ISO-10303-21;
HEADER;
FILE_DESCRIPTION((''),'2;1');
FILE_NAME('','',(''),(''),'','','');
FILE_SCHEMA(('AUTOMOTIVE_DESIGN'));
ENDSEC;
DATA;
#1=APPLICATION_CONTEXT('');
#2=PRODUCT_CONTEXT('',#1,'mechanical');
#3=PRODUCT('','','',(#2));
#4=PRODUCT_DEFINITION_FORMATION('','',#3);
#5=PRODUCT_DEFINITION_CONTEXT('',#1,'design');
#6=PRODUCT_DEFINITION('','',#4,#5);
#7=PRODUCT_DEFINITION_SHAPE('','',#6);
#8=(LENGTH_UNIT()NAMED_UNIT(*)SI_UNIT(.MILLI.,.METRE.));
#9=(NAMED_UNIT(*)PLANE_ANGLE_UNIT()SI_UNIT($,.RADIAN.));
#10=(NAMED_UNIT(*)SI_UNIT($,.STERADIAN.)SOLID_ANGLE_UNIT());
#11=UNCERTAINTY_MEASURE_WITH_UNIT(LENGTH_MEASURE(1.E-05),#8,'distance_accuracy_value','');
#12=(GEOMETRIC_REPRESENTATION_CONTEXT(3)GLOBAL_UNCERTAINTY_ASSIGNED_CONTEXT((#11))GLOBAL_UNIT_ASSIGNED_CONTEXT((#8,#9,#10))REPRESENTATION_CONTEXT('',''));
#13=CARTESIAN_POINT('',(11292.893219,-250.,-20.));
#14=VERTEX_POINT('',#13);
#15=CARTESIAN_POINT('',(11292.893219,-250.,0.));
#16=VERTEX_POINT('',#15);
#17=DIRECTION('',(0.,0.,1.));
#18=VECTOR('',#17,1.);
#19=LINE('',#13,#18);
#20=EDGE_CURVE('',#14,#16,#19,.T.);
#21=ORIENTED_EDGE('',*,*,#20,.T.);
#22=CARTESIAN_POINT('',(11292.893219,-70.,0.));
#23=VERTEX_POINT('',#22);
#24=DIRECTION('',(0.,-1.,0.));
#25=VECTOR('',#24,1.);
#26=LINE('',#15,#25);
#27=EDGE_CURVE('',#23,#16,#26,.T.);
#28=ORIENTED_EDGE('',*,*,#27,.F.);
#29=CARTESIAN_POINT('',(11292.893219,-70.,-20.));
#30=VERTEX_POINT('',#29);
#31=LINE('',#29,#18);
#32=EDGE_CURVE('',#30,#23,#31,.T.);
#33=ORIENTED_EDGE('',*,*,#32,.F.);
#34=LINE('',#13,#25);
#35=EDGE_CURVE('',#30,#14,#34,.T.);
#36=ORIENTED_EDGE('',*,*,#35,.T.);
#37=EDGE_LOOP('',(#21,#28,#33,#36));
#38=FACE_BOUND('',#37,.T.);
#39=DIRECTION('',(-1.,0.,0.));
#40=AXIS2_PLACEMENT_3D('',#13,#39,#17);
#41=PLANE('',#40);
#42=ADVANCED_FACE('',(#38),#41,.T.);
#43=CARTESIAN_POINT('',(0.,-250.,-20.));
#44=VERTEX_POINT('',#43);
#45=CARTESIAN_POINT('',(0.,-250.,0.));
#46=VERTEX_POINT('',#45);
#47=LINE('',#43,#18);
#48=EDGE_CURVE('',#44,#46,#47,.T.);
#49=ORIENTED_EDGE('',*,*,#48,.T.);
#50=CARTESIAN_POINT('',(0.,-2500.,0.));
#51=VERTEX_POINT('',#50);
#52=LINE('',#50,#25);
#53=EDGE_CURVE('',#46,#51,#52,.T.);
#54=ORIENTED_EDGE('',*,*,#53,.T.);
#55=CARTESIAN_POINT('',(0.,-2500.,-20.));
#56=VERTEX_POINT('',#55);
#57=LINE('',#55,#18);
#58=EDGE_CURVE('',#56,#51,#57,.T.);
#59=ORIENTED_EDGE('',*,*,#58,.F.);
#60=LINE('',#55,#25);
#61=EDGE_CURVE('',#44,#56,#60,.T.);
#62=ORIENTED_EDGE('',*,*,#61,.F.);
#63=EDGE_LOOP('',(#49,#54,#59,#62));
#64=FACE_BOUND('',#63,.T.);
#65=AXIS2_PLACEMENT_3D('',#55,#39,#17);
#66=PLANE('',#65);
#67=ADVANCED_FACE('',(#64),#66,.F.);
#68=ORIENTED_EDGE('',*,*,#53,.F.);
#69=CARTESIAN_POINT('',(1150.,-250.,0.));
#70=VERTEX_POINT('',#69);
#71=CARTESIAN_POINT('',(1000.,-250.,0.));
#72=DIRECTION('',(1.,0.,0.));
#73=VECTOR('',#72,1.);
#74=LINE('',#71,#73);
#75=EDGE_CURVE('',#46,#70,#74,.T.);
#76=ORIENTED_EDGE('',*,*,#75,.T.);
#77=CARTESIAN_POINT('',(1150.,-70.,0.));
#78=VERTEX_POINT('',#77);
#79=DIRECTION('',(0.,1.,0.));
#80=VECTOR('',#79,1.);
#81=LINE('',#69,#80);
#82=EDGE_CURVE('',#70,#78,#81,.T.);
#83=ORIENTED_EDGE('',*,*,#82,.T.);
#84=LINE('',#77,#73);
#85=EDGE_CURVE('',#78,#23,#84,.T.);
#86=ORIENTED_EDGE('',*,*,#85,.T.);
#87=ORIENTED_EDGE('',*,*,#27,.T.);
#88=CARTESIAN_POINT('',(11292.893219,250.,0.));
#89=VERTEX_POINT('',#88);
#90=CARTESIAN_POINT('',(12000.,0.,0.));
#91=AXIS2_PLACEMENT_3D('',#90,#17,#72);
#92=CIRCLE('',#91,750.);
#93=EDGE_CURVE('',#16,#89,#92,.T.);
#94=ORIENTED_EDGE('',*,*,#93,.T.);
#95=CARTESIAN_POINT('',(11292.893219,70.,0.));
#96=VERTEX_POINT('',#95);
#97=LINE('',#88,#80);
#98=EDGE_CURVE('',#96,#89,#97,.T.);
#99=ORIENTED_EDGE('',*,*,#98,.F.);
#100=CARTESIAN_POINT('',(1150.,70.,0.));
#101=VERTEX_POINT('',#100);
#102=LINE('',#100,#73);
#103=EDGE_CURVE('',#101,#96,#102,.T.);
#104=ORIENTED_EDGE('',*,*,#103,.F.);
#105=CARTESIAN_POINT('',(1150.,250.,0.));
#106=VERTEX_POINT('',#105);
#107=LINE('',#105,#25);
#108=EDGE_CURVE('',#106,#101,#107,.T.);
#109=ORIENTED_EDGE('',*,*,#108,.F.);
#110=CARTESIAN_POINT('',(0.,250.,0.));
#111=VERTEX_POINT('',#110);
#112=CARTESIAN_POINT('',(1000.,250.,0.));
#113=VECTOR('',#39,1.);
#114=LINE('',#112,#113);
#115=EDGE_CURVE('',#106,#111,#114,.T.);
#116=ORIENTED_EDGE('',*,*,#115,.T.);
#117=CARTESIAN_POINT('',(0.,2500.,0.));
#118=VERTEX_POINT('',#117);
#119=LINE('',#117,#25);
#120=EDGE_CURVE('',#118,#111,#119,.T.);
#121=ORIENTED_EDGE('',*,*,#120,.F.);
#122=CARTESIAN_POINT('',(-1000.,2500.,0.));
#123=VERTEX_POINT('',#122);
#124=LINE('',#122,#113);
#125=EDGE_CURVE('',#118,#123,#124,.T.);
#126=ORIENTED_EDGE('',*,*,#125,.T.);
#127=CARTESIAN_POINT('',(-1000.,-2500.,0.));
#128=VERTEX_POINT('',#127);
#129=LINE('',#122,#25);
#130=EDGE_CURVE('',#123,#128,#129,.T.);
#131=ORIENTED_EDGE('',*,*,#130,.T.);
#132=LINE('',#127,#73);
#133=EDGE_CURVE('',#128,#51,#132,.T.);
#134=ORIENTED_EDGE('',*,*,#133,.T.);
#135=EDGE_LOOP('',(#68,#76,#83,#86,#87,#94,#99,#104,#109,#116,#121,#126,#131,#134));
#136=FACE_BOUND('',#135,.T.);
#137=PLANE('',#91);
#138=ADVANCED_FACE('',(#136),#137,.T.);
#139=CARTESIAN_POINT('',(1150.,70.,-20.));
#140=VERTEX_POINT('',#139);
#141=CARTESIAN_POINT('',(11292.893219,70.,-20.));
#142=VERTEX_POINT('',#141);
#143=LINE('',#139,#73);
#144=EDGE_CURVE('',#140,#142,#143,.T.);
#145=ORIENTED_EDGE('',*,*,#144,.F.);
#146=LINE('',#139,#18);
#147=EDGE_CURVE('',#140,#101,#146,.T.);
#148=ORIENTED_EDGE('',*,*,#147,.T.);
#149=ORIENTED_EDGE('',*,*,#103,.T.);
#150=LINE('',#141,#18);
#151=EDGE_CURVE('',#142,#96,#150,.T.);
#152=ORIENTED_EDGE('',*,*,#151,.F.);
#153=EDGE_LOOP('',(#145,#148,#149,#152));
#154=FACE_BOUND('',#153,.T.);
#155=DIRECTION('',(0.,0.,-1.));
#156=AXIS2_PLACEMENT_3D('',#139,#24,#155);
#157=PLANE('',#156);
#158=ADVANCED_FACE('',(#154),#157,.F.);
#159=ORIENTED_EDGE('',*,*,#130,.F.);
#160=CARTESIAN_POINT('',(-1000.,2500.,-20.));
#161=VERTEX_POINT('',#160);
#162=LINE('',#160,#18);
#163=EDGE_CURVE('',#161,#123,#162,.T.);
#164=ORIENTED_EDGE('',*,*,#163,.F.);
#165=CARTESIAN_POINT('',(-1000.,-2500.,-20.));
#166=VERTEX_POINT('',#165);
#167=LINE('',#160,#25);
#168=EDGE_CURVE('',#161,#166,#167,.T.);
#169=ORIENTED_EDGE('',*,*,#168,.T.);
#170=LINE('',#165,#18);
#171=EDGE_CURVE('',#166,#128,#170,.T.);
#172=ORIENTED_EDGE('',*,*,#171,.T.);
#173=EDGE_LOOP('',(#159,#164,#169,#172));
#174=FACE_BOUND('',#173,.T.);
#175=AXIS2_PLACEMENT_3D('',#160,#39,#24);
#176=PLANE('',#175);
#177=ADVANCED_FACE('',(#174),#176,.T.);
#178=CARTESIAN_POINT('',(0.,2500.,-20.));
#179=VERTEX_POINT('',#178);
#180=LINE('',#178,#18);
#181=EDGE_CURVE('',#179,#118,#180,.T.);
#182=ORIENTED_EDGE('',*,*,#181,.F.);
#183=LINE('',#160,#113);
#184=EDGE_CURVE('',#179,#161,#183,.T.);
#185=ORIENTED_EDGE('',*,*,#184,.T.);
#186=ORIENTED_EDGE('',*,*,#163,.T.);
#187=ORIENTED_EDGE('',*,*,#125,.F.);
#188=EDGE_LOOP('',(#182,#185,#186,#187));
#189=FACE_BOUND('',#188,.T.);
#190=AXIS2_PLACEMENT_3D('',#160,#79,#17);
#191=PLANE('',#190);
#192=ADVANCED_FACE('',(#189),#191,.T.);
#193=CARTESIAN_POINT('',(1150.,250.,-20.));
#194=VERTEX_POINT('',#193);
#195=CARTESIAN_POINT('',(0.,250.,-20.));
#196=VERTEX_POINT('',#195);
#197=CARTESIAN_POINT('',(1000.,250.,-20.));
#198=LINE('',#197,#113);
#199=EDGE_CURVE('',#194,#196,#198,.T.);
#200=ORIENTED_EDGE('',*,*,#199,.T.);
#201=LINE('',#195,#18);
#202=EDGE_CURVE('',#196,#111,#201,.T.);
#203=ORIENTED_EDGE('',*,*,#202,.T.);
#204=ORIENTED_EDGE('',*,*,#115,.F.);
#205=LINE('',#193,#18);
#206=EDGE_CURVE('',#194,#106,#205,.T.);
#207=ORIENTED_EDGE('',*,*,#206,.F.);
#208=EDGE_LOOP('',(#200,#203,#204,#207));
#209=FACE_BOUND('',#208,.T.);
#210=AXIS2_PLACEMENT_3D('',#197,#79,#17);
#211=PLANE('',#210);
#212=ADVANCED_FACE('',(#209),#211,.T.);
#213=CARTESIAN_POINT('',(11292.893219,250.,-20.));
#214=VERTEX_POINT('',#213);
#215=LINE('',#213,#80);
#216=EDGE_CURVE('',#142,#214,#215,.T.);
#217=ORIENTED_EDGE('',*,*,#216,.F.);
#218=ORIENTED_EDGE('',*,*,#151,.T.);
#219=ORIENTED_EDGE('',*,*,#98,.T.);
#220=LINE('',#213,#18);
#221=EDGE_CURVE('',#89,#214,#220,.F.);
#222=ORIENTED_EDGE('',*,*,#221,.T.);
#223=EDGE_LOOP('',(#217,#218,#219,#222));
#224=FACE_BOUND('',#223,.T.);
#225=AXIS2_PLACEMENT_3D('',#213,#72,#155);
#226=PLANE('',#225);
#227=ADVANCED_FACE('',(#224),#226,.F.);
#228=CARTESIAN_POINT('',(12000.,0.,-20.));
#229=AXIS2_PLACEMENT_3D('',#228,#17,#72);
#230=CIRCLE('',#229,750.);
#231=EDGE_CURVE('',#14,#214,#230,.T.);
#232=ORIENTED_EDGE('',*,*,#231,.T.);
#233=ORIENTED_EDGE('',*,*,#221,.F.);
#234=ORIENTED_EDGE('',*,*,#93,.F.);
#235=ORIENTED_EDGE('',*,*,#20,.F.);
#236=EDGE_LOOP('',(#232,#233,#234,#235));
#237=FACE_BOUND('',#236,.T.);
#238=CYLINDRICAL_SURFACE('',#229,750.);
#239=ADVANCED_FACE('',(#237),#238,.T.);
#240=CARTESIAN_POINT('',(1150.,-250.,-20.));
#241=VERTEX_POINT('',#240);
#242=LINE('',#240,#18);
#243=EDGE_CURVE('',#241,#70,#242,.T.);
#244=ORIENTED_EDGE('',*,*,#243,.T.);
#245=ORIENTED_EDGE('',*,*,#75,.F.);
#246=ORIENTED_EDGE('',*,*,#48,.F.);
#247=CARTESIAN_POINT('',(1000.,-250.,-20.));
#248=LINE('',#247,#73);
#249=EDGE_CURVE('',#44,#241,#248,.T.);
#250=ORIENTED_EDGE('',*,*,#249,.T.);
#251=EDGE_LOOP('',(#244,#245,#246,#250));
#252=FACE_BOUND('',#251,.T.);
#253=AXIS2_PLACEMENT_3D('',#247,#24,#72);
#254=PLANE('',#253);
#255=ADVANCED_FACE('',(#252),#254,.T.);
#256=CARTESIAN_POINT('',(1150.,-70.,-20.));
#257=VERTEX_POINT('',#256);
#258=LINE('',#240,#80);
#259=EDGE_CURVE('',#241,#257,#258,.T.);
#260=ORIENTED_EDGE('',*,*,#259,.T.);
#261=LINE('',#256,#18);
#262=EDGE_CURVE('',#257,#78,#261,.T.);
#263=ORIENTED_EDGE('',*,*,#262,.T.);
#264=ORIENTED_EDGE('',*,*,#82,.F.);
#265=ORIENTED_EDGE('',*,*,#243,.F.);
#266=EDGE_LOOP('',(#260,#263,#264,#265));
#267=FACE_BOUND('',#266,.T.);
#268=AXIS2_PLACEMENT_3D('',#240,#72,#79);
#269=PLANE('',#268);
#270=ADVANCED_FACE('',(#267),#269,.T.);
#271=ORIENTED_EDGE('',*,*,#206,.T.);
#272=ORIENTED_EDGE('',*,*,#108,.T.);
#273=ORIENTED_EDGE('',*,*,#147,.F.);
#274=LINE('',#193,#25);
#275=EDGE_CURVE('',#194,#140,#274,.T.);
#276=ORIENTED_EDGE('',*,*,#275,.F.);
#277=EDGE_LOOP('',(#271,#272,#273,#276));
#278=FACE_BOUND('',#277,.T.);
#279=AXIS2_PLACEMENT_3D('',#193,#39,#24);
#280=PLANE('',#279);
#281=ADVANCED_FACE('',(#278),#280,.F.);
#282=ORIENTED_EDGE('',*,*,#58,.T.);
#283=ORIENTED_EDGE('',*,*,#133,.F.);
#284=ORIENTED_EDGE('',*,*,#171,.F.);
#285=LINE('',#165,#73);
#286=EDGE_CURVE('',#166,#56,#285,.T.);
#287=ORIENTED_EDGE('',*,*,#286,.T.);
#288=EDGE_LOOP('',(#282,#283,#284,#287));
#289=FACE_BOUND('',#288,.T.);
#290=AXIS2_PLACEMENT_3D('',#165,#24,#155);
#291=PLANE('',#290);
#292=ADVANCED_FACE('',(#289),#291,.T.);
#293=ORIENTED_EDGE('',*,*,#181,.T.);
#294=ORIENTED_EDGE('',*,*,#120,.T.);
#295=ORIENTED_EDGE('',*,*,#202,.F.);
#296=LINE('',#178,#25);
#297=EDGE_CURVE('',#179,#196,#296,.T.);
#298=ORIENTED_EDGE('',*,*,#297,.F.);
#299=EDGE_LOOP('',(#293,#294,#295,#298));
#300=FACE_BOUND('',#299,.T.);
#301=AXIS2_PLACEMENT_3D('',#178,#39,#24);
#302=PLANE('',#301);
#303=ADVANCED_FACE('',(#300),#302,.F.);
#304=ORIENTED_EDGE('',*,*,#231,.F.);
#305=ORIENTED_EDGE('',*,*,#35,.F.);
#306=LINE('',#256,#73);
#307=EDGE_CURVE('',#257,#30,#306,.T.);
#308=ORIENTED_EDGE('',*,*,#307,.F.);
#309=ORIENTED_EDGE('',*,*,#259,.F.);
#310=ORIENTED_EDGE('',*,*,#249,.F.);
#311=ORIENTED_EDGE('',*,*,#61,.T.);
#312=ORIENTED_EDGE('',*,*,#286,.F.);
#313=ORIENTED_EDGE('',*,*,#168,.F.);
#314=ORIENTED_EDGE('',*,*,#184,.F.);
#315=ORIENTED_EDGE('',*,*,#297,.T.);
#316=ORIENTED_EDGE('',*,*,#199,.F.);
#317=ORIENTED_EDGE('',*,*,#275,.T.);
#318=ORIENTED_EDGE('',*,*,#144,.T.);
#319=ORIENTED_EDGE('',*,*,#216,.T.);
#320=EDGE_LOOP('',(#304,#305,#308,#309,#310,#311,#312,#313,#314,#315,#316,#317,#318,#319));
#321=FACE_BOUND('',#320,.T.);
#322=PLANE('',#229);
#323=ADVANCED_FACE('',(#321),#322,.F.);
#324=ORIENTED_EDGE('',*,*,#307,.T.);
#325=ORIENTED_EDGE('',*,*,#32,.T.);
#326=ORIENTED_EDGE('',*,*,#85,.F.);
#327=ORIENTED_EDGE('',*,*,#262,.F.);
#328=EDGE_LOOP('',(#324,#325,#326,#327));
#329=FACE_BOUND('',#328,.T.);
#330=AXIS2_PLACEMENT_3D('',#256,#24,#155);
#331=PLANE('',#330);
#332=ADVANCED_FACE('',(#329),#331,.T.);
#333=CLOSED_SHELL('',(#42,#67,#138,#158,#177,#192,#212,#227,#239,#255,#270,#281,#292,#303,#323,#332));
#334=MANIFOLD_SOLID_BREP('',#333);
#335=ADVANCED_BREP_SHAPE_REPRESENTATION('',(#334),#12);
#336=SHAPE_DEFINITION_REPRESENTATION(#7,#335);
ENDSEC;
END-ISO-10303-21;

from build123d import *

# Parameters (mm, degrees)
BOSS_EXTRUDE1_DEPTH = 20
SKETCH2_W           = 1000
SKETCH2_H           = 2250
CUT_EXTRUDE1_DEPTH  = 12993.801853334
CUT_EXTRUDE4_DEPTH  = 12993.801853334
SKETCH5_W           = 11500
SKETCH5_H           = 500
BOSS_EXTRUDE2_DEPTH = 20
SKETCH7_W           = 10142.893218813
SKETCH7_H           = 180
CUT_EXTRUDE5_DEPTH  = 12993.801853334


with BuildPart() as part:
    # Sketch1 → Boss-Extrude1 (new body)
    with BuildSketch(Plane.XY):
        with BuildLine():
            Line((1000, 250), (5000, 250))
            Line((5000, 250), (5000, 125))
            Line((5000, 125), (9000, 125))
            Line((9000, 125), (9000, 100))
            Line((9000, 100), (11256.696562634, 100))
            ThreePointArc((11256.696562634, 100), (12750, 0), (11256.696562634, -100))
            Line((11256.696562634, -100), (9000, -100))
            Line((9000, -100), (9000, -125))
            Line((9000, -125), (5000, -125))
            Line((5000, -125), (5000, -250))
            Line((5000, -250), (1000, -250))
            Line((1000, -250), (1000, -2500))
            Line((1000, -2500), (-1000, -2500))
            Line((-1000, -2500), (-1000, 2500))
            Line((-1000, 2500), (1000, 2500))
            Line((1000, 2500), (1000, 250))
        make_face()
    extrude(amount=-BOSS_EXTRUDE1_DEPTH)

    # Sketch2 → Cut-Extrude1 (cut, through all)
    with BuildSketch(Plane.XY):
        with Locations((500, 1375)):
            Rectangle(SKETCH2_W, SKETCH2_H)
        with Locations((500, -1375)):
            Rectangle(SKETCH2_W, SKETCH2_H)
    extrude(amount=-CUT_EXTRUDE1_DEPTH, mode=Mode.SUBTRACT)

    # Sketch3 → Cut-Extrude4 (cut, through all)
    with BuildSketch(Plane.XY):
        Polygon((1500, -250), (3250, -250), (5000, -250), (5000, -150), (3250, -150), (3250, -200), (1500, -200), align=None)
    cut_extrude4 = extrude(amount=-CUT_EXTRUDE4_DEPTH, mode=Mode.SUBTRACT)

    # Mirror1: Cut-Extrude4 across plane
    add(cut_extrude4.mirror(Plane.ZX), mode=Mode.SUBTRACT)

    # Sketch5 → Boss-Extrude2 (add)
    with BuildSketch(Plane.XY):
        with Locations((5750, 0)):
            Rectangle(SKETCH5_W, SKETCH5_H)
    extrude(amount=-BOSS_EXTRUDE2_DEPTH)

    # Sketch7 → Cut-Extrude5 (cut, through all)
    with BuildSketch(Plane.XY):
        with Locations((6221.446609407, 160)):
            Rectangle(SKETCH7_W, SKETCH7_H)
    cut_extrude5 = extrude(amount=-CUT_EXTRUDE5_DEPTH, mode=Mode.SUBTRACT)

    # Mirror2: Cut-Extrude5 across plane
    add(cut_extrude5.mirror(Plane.ZX), mode=Mode.SUBTRACT)


solid = part.part
